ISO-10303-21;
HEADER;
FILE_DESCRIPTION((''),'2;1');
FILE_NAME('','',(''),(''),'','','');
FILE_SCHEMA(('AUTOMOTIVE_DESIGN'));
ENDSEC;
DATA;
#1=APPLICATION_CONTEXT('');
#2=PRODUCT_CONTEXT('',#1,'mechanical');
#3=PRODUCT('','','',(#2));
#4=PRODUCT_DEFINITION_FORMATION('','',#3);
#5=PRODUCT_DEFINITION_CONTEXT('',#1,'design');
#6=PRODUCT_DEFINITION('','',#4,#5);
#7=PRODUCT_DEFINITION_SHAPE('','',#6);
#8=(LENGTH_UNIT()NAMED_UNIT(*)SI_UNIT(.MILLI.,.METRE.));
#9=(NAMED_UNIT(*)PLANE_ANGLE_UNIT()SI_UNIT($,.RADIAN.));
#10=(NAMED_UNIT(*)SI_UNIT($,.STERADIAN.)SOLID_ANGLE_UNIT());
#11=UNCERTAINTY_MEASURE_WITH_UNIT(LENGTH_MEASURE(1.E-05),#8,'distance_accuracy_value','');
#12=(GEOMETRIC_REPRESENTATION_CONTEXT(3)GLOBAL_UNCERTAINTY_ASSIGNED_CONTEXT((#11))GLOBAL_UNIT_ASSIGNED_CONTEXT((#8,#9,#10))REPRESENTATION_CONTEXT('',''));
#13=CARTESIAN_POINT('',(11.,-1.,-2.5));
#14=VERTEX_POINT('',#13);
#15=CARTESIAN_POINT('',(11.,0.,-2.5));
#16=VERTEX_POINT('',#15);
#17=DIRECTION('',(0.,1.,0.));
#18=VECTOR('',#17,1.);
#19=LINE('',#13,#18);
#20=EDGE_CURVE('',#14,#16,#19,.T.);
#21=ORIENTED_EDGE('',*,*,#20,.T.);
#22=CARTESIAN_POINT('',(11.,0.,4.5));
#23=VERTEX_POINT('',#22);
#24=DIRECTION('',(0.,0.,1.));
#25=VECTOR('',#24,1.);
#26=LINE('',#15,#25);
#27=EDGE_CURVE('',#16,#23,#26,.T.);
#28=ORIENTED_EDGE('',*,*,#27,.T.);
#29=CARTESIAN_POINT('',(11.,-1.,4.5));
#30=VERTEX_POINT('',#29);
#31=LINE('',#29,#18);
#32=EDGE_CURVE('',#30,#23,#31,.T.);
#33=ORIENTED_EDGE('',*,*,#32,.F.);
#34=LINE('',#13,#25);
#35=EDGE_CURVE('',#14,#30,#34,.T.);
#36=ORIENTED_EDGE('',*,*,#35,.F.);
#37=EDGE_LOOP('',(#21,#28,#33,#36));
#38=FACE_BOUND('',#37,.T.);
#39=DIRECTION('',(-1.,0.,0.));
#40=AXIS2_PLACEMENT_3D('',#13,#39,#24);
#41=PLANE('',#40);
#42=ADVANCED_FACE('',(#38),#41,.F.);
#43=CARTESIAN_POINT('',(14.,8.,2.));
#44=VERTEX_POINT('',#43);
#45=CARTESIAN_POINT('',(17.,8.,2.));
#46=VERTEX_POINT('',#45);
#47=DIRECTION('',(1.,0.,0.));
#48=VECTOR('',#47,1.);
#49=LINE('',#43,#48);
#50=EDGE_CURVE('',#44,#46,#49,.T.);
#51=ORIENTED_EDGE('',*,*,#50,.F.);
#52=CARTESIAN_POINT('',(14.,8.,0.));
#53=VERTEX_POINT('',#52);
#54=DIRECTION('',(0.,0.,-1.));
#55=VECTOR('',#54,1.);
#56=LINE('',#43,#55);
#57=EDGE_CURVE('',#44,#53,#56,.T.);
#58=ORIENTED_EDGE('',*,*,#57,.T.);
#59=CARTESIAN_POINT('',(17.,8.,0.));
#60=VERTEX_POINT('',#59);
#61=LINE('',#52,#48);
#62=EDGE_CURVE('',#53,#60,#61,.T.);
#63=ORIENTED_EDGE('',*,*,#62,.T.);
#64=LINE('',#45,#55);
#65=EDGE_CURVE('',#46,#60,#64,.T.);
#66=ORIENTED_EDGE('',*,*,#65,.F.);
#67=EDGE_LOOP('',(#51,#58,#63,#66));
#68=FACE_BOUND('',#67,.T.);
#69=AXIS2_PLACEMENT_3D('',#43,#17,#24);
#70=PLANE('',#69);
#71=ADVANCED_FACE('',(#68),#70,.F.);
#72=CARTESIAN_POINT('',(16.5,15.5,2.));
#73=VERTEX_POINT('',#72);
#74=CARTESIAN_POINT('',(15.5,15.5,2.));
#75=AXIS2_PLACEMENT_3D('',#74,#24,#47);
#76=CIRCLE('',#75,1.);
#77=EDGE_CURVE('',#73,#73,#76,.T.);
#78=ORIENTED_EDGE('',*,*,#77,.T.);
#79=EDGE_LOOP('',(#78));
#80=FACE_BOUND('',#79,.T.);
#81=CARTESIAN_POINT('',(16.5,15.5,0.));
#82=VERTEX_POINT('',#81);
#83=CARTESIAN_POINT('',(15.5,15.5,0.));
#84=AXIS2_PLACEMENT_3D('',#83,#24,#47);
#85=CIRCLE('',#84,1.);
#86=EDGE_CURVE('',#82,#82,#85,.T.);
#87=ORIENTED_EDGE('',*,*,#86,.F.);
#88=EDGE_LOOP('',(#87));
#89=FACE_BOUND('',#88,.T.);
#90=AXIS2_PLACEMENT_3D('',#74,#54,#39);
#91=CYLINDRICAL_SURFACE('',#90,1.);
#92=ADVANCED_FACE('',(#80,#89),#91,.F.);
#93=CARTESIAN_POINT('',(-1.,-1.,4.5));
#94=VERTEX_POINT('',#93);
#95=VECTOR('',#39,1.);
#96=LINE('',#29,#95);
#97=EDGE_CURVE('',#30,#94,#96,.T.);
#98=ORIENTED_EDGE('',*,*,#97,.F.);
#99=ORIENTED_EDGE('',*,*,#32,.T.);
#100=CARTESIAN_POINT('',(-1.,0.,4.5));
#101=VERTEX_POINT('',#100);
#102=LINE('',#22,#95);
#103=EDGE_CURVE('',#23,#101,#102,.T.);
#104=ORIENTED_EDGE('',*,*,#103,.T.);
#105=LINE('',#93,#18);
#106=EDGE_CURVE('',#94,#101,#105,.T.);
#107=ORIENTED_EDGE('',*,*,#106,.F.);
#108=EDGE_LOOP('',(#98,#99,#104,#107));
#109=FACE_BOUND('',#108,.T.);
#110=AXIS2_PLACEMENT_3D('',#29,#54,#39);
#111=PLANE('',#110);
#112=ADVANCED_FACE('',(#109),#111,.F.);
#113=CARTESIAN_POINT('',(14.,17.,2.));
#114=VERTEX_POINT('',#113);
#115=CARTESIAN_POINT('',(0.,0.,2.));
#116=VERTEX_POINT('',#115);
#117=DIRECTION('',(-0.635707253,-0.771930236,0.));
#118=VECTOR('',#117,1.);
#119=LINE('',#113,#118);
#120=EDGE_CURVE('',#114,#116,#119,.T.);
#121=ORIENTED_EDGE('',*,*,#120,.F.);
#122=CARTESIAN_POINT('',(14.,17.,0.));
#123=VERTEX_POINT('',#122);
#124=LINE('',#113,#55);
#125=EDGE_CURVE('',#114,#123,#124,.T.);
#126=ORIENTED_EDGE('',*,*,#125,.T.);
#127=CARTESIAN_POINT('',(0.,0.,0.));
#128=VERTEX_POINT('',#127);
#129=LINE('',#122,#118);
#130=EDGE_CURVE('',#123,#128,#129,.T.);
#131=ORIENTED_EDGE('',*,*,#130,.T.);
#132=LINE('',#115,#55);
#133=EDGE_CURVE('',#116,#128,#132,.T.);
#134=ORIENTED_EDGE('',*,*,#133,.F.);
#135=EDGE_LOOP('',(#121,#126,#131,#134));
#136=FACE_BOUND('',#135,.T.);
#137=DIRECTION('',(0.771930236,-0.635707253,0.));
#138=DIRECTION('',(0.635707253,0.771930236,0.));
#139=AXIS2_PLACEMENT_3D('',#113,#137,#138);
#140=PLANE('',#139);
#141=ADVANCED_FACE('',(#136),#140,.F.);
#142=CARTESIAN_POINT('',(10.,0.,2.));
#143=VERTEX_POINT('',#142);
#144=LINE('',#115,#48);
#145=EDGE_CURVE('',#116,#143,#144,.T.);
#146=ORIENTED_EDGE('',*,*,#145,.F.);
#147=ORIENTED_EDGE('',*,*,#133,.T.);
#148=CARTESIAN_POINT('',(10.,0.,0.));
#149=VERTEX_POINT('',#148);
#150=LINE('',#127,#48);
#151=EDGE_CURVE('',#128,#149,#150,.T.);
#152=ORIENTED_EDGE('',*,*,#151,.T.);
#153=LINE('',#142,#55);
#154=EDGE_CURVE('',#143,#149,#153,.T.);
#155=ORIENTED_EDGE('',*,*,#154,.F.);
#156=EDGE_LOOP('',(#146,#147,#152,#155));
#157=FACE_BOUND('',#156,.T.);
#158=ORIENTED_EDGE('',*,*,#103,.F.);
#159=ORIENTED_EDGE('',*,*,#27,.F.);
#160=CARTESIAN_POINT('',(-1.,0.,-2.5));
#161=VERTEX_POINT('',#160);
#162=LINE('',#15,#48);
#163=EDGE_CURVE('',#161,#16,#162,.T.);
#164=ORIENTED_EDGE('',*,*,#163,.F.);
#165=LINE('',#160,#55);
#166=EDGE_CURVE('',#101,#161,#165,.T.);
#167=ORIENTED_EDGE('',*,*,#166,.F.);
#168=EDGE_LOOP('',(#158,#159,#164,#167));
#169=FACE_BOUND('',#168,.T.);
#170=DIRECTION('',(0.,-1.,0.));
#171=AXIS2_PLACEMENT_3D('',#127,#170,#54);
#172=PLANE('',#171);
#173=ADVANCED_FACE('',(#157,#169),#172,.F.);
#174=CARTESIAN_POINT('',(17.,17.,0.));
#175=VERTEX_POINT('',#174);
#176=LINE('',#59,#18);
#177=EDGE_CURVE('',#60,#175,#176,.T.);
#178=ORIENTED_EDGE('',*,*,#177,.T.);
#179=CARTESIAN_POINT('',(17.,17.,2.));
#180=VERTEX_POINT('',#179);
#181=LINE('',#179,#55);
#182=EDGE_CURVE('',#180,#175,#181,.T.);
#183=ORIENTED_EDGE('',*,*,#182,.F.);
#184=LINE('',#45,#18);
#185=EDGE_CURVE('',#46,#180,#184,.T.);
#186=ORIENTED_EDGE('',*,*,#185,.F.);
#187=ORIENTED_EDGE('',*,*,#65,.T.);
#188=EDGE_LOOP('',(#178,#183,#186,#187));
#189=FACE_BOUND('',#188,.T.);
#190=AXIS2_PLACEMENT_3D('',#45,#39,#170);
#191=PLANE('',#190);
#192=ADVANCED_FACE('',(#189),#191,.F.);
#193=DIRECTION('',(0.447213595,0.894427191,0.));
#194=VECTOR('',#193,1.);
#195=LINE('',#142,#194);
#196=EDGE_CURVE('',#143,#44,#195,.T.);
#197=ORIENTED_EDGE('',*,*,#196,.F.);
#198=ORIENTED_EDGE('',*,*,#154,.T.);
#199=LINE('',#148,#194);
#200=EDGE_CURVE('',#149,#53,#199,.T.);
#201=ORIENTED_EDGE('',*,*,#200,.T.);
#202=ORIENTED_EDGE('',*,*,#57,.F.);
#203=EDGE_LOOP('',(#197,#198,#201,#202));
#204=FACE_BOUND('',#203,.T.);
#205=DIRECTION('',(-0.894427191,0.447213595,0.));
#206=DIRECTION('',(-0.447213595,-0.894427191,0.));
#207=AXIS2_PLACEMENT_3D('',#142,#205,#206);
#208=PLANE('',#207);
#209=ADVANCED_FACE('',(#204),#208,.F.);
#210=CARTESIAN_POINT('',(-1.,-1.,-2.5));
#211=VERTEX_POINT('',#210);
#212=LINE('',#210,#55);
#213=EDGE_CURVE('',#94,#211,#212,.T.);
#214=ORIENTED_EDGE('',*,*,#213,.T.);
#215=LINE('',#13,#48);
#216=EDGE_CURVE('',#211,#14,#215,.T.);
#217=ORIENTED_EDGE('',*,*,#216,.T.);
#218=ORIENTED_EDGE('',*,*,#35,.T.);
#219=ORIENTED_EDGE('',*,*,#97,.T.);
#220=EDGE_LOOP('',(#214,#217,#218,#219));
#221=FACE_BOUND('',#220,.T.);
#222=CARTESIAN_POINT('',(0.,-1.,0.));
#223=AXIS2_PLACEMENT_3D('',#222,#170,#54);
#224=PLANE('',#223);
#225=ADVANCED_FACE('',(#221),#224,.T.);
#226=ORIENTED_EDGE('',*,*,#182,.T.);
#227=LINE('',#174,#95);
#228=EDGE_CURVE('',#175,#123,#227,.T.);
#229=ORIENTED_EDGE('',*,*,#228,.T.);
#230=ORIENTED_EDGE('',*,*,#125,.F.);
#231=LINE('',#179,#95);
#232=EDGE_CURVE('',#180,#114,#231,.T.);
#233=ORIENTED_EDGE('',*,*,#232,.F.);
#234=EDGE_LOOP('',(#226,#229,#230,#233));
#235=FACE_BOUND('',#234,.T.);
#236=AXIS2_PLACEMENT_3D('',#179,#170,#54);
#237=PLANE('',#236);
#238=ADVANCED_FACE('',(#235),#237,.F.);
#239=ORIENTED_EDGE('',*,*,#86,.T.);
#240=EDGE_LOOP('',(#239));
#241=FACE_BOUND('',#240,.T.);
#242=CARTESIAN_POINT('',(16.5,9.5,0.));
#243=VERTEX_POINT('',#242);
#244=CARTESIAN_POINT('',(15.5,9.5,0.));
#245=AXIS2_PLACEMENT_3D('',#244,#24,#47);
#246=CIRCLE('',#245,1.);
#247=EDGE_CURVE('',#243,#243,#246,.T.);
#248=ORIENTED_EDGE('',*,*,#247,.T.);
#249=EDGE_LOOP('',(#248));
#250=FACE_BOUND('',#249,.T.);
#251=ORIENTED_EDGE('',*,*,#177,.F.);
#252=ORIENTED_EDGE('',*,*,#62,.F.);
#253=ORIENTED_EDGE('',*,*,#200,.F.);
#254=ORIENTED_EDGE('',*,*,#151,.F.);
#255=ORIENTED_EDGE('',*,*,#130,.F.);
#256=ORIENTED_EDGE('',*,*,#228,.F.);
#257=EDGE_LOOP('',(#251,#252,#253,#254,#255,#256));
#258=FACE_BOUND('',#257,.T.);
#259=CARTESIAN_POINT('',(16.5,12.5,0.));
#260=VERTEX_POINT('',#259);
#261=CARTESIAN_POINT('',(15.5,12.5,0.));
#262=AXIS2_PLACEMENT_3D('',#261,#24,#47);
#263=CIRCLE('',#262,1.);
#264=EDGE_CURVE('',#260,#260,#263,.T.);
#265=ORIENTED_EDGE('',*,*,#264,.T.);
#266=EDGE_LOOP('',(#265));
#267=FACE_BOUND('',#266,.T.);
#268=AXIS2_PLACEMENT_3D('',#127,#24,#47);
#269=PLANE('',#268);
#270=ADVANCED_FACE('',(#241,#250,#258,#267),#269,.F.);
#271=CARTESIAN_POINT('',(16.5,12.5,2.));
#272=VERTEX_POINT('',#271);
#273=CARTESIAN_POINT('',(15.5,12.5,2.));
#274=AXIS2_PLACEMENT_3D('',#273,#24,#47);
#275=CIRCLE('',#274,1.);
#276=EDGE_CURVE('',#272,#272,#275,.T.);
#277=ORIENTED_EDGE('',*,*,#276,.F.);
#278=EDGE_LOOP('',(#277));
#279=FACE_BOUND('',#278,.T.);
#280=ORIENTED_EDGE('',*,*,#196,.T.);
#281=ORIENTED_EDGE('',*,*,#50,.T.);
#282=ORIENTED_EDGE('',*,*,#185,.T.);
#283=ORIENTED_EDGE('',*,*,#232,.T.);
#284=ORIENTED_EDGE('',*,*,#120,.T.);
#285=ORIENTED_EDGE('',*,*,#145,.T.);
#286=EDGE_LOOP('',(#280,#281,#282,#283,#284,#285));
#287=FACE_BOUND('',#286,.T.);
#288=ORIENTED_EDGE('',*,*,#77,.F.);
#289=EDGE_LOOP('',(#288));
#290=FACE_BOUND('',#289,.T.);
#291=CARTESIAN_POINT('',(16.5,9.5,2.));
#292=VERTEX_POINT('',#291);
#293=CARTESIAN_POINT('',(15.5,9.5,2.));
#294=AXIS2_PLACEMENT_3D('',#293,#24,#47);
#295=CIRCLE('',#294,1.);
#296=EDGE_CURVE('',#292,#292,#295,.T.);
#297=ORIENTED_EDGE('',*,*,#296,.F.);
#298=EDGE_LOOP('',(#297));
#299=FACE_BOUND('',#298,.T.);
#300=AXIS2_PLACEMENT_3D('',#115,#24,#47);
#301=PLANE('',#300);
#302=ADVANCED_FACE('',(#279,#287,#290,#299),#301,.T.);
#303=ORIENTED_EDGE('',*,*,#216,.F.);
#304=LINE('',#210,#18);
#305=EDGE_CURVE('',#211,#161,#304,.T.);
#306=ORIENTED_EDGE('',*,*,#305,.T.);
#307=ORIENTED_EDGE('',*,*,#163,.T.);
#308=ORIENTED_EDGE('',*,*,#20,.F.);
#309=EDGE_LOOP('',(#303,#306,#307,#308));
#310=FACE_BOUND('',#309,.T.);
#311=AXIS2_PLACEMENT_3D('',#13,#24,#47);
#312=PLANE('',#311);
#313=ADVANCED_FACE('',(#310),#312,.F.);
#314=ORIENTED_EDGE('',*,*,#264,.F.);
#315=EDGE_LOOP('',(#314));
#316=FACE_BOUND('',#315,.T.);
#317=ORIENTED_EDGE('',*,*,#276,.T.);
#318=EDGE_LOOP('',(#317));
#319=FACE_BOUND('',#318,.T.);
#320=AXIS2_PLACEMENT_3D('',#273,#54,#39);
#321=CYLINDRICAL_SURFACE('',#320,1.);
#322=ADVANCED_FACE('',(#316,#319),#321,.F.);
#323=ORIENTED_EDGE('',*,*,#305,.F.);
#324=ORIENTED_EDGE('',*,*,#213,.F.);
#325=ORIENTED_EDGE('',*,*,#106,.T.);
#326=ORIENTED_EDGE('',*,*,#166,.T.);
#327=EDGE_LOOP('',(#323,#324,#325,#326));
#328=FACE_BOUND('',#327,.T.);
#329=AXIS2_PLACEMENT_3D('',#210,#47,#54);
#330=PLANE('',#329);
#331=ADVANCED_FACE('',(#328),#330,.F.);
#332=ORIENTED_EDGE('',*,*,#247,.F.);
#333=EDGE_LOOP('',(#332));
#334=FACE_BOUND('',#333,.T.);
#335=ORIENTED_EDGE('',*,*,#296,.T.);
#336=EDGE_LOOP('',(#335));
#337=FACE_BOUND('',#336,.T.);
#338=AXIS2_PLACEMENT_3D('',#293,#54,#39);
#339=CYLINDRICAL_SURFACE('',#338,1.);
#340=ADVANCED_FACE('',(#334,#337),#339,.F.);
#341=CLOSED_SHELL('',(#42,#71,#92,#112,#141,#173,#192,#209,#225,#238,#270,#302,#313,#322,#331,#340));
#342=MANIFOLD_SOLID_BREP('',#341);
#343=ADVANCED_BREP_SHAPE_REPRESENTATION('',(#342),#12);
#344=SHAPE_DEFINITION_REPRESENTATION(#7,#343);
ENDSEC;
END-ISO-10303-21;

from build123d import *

# Parameters (mm, degrees)
SCHIZZO1_R                   = 1
ESTRUSIONE_ESTRUSIONE1_DEPTH = 2
SCHIZZO2_W                   = 12
SCHIZZO2_H                   = 7
ESTRUSIONE_ESTRUSIONE2_DEPTH = 1


with BuildPart() as part:
    # Schizzo1 → Estrusione-Estrusione1 (new body)
    with BuildSketch(Plane.XY):
        Polygon((0, 0), (10, 0), (14, 8), (17, 8), (17, 17), (14, 17), align=None)
        with Locations((15.5, 15.5)):
            Circle(SCHIZZO1_R, mode=Mode.SUBTRACT)
        with Locations((15.5, 12.5)):
            Circle(SCHIZZO1_R, mode=Mode.SUBTRACT)
        with Locations((15.5, 9.5)):
            Circle(SCHIZZO1_R, mode=Mode.SUBTRACT)
    extrude(amount=ESTRUSIONE_ESTRUSIONE1_DEPTH)

    # Schizzo2 → Estrusione-Estrusione2 (add)
    with BuildSketch(Plane.XZ):
        with Locations((5, 1)):
            Rectangle(SCHIZZO2_W, SCHIZZO2_H)
    extrude(amount=ESTRUSIONE_ESTRUSIONE2_DEPTH)


solid = part.part
